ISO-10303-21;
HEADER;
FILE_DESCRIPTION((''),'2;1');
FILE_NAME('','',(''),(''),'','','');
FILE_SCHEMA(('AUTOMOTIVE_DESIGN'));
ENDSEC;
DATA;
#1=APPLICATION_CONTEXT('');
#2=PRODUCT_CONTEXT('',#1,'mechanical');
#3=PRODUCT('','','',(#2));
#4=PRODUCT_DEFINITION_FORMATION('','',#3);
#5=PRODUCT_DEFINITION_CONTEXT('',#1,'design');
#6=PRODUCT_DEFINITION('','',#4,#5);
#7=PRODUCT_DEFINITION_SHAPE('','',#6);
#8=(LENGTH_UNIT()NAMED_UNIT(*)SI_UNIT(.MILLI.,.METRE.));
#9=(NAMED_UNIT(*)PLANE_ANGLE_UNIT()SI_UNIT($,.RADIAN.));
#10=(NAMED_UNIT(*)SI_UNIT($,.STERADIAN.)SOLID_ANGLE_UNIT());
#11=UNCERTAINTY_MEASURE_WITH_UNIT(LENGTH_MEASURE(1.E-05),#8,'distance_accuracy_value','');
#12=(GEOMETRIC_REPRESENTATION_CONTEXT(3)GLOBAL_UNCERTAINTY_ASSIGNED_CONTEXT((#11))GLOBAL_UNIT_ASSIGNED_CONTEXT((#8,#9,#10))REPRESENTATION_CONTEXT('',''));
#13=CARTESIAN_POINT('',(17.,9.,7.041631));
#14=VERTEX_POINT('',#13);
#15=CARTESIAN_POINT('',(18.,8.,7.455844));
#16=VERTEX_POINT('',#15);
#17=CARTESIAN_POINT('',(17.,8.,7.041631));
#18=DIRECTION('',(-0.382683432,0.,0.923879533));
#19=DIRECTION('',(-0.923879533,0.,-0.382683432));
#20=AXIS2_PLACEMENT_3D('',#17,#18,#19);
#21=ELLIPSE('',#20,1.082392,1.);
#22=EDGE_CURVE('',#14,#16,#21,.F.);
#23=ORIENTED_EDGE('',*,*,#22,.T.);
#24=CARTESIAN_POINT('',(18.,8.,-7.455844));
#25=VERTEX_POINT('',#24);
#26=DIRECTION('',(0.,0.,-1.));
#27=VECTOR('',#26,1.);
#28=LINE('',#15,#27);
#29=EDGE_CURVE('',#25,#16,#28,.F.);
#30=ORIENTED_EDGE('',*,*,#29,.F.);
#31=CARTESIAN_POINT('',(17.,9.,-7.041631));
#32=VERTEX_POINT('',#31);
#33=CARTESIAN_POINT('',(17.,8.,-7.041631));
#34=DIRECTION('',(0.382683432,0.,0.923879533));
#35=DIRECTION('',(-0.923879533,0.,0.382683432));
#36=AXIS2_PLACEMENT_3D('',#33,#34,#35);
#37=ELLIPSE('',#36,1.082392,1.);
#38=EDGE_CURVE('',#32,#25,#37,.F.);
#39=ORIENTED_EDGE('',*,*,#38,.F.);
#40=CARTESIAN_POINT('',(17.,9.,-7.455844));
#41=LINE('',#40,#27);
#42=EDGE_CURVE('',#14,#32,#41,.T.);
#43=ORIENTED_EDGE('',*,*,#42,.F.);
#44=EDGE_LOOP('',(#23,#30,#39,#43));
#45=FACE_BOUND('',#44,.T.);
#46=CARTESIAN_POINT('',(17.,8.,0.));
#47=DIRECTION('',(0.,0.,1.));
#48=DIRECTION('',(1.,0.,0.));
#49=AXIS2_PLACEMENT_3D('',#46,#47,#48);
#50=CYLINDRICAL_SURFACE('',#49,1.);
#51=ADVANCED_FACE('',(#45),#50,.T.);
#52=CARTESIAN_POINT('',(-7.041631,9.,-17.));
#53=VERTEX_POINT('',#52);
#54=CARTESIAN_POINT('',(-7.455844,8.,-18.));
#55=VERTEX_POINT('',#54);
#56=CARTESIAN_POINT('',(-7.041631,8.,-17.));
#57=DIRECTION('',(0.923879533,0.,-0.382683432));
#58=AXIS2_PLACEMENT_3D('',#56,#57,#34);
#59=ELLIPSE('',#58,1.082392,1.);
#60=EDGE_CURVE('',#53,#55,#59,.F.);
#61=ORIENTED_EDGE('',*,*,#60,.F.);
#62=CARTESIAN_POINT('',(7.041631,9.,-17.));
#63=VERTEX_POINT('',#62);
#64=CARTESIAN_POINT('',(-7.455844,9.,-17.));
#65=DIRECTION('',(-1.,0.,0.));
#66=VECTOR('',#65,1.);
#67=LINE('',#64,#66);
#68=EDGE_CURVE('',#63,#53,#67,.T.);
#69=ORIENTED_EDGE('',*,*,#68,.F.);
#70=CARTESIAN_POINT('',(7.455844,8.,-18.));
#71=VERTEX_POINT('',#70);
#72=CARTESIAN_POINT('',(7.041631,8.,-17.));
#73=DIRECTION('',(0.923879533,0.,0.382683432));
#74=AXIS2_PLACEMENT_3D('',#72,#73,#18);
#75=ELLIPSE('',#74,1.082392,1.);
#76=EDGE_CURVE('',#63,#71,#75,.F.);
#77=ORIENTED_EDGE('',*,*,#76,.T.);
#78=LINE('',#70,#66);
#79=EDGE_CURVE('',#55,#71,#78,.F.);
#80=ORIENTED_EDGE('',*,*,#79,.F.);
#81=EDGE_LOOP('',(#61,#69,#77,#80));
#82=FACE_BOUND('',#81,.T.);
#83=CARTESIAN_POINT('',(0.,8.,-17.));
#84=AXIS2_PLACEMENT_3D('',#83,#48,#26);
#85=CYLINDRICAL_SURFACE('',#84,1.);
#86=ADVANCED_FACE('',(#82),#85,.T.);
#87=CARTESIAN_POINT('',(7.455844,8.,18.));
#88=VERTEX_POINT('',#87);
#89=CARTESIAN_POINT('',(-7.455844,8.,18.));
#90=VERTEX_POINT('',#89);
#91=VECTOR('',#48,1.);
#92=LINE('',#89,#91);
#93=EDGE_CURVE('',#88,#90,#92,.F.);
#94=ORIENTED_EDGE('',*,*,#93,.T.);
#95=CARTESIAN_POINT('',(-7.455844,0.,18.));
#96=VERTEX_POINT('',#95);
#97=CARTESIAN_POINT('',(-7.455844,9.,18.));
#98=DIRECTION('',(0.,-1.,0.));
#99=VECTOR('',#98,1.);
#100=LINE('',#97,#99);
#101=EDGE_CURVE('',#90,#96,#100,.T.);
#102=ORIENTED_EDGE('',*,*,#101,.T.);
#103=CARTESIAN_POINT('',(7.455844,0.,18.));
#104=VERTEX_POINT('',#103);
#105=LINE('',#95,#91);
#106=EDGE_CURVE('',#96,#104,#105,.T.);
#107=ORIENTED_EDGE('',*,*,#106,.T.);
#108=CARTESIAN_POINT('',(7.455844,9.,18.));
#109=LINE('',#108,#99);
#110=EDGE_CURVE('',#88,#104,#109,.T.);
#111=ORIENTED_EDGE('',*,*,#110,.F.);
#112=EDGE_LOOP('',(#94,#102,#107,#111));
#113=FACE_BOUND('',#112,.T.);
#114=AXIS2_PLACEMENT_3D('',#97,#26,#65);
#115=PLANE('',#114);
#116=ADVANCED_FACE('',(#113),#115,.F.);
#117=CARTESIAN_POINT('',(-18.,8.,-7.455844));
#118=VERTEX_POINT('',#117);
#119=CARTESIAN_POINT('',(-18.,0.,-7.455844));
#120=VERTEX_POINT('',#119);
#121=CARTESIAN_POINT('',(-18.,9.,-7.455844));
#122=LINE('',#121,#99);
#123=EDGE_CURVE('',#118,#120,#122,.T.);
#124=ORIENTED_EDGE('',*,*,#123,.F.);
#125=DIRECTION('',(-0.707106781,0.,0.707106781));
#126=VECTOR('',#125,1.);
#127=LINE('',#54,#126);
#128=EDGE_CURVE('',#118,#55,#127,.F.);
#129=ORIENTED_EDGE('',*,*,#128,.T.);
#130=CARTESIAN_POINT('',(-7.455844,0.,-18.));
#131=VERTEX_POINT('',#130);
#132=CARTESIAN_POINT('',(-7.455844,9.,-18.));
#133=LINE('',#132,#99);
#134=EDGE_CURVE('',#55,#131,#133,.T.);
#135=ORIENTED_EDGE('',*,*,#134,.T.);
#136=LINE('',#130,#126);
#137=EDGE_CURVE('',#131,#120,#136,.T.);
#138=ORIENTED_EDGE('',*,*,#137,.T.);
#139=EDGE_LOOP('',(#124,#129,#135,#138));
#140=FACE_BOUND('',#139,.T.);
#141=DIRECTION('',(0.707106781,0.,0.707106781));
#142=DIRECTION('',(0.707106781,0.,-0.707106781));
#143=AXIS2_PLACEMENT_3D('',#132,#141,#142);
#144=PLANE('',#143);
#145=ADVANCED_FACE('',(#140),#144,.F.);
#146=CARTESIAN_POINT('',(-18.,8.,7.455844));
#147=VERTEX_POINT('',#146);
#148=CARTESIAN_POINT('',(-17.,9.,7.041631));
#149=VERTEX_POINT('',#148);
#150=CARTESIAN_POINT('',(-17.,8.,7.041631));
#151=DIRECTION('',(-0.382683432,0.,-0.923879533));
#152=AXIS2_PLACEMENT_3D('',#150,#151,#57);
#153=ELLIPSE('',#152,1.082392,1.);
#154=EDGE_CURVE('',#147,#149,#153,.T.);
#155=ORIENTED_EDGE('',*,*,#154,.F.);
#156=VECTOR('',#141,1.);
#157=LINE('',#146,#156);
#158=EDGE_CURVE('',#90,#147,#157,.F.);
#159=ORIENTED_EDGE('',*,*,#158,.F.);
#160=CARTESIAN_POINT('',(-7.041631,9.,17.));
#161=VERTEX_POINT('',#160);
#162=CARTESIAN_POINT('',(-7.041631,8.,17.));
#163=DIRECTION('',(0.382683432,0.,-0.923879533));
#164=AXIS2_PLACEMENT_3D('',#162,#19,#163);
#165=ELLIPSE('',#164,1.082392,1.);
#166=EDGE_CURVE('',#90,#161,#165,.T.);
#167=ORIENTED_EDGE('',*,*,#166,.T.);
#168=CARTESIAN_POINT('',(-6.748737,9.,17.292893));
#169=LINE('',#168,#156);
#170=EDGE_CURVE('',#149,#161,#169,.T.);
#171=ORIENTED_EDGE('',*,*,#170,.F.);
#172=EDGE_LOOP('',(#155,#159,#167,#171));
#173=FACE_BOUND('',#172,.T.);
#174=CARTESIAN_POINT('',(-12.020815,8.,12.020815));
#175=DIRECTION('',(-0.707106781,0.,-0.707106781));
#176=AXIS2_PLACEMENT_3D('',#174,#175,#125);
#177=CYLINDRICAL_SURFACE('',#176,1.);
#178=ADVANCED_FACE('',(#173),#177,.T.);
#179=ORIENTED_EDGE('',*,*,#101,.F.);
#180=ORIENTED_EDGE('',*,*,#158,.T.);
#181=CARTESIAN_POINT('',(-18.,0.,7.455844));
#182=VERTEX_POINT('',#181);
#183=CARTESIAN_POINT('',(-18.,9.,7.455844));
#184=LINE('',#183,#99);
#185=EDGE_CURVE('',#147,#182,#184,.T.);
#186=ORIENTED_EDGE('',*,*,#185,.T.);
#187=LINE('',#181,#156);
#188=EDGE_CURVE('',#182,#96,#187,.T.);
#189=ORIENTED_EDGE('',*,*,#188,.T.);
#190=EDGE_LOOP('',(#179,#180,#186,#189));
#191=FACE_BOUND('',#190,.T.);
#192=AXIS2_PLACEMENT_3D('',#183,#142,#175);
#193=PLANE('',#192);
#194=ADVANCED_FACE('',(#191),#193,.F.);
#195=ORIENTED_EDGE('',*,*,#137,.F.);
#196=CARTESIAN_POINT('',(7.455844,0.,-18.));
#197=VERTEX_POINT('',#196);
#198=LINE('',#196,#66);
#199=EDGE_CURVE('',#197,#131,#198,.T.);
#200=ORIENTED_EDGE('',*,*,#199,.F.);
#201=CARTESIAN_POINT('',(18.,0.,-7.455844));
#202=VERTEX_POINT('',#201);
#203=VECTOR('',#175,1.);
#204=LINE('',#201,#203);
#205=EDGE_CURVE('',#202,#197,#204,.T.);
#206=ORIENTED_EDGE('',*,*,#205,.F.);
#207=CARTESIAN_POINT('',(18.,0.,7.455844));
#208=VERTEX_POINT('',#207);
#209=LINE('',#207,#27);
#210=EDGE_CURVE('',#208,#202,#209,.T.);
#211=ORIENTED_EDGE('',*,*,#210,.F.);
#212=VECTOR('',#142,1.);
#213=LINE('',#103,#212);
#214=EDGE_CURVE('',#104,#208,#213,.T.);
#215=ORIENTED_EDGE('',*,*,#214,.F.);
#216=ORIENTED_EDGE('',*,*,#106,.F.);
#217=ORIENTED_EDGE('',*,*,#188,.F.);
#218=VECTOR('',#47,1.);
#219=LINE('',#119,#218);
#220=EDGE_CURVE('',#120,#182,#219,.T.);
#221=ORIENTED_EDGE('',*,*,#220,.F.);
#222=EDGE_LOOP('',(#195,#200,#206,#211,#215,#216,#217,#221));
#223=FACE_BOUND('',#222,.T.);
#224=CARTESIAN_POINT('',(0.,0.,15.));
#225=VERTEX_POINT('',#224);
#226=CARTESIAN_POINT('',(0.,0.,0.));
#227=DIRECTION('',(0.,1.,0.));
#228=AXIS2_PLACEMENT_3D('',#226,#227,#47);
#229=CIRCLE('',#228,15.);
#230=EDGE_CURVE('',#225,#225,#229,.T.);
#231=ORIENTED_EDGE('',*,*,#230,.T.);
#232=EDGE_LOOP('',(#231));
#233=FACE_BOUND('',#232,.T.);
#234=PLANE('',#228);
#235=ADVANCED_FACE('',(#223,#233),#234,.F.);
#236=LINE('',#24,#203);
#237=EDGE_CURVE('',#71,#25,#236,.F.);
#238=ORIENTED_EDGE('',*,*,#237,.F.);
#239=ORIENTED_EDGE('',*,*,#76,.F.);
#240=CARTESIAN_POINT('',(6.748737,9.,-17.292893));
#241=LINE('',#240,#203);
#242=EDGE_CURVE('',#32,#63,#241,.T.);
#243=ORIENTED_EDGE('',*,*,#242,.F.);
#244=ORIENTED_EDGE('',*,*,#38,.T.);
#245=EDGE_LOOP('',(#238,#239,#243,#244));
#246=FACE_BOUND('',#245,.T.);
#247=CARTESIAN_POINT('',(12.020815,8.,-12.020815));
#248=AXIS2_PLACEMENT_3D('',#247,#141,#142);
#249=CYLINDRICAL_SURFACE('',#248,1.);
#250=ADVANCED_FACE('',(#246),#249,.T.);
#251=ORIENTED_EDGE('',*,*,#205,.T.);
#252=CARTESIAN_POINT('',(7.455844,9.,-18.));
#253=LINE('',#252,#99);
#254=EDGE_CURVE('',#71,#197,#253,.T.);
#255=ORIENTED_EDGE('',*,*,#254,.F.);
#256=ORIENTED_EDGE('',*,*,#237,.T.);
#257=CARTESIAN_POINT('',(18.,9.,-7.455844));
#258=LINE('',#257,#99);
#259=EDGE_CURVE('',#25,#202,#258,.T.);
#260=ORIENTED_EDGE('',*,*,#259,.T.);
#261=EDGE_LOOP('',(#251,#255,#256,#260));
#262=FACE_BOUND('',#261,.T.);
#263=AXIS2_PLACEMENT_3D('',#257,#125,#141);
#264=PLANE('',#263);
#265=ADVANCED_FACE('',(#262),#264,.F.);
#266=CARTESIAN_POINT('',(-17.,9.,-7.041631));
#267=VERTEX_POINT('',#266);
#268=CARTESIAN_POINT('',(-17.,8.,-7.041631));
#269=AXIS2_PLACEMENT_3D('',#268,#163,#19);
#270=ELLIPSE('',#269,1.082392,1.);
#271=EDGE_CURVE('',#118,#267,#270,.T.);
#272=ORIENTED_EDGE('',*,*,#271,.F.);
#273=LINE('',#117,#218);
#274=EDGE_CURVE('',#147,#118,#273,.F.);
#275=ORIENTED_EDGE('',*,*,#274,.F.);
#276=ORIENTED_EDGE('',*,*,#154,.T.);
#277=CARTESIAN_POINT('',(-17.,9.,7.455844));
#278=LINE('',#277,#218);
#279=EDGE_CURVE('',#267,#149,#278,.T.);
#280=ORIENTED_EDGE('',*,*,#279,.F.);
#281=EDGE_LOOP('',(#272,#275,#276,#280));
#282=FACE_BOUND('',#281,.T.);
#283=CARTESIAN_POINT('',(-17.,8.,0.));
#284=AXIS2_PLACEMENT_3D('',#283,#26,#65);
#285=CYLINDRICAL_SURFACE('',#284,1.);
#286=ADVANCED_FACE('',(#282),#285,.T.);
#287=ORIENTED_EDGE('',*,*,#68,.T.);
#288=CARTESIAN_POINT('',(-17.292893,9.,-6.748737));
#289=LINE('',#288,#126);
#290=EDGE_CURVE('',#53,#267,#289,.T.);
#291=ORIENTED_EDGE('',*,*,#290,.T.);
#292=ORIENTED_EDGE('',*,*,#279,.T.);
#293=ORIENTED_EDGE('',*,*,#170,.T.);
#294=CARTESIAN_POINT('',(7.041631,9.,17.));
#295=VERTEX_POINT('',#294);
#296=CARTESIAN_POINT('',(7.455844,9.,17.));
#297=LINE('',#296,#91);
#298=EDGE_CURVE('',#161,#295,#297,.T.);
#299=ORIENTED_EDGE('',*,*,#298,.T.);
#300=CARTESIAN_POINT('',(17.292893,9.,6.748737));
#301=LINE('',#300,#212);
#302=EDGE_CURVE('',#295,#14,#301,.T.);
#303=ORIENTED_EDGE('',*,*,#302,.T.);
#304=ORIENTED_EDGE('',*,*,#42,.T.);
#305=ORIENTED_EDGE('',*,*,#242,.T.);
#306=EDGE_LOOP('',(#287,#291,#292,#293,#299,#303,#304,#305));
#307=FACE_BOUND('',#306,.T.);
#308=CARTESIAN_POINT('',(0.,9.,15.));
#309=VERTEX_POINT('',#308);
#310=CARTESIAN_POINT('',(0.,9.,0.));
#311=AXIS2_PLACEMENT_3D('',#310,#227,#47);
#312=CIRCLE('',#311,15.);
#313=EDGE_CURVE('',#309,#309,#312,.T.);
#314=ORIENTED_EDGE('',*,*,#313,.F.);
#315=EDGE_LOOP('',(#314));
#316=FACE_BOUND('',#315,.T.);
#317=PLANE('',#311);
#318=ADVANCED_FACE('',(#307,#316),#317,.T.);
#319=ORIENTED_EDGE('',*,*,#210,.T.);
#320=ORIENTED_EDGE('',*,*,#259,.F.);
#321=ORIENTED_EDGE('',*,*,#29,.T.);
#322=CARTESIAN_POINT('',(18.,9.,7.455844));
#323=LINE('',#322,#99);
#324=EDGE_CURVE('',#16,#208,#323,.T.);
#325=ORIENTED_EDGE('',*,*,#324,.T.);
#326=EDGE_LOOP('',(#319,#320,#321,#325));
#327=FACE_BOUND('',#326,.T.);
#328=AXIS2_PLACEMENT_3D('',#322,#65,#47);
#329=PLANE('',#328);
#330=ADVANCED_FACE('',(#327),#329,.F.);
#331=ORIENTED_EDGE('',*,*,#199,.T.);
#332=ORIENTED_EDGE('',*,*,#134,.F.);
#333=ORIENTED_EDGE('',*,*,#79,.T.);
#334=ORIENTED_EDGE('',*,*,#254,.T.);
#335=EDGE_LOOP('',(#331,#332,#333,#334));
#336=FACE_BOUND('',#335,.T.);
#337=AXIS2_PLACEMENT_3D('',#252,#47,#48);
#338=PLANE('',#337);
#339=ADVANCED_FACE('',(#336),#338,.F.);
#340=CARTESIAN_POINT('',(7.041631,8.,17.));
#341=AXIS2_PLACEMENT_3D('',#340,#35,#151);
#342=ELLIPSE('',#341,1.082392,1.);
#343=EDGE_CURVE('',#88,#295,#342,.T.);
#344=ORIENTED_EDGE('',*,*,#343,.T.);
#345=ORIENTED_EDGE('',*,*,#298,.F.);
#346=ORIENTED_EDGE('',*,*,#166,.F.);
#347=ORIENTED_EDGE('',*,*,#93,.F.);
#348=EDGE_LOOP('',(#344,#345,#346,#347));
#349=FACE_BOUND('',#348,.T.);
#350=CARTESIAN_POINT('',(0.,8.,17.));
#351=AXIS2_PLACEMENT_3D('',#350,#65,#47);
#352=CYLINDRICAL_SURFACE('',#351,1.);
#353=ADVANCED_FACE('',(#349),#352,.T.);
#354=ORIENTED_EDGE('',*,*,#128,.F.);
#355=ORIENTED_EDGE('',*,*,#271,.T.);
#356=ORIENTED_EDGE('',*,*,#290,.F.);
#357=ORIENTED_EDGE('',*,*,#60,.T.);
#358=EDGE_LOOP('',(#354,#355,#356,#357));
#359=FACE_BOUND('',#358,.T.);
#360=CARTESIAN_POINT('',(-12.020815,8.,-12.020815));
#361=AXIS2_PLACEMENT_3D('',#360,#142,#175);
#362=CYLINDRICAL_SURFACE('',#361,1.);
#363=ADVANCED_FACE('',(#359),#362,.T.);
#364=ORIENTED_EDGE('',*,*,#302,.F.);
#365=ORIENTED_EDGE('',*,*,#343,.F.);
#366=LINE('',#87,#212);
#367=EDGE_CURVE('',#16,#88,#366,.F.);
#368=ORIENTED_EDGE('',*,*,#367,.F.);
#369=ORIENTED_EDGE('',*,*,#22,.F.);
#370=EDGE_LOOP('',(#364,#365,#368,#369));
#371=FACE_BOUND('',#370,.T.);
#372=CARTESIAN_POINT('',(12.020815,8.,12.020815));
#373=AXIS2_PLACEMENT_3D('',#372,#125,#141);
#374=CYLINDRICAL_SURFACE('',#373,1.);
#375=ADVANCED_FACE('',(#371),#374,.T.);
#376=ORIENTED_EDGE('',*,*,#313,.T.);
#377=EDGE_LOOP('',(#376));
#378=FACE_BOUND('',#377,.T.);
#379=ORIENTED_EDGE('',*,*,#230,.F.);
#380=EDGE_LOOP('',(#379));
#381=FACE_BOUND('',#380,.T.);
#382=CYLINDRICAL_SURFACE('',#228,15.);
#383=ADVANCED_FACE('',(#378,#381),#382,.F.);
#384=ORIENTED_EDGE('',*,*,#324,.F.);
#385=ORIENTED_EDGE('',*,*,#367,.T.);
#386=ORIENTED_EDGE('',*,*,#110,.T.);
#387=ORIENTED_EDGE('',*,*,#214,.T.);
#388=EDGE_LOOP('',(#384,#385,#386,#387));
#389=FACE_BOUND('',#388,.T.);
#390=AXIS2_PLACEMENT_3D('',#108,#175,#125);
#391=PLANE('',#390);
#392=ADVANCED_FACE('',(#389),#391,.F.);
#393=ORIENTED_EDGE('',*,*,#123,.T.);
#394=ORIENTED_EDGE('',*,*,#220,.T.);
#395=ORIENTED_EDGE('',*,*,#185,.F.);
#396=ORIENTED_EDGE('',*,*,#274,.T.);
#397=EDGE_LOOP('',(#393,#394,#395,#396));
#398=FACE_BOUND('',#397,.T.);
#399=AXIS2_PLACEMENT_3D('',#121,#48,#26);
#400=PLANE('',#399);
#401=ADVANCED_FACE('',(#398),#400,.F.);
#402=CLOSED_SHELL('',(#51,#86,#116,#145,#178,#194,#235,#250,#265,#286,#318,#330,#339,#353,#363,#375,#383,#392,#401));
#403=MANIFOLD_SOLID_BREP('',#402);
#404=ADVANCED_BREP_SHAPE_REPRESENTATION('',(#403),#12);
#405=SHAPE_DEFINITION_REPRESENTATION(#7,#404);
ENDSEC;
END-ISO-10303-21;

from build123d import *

# Parameters (mm, degrees)
SALIENTE_EXTRUIR1_DEPTH = 9
CROQUIS2_R              = 15
CORTAR_EXTRUIR1_DEPTH   = 10
REDONDEO1_R             = 1


with BuildPart() as part:
    # Croquis1 → Saliente-Extruir1 (new body)
    with BuildSketch(Plane(origin=(0, 0, 0), x_dir=(1, 0, 0), z_dir=(0, 1, 0))):
        Polygon((18, 7.455844123), (7.455844123, 18), (-7.455844123, 18), (-18, 7.455844123), (-18, -7.455844123), (-7.455844123, -18), (7.455844123, -18), (18, -7.455844123), align=None)
    extrude(amount=SALIENTE_EXTRUIR1_DEPTH)

    # Croquis2 → Cortar-Extruir1 (cut, through all)
    with BuildSketch(Plane(origin=(0, 9, 0), x_dir=(1, 0, 0), z_dir=(0, 1, 0))):
        Circle(CROQUIS2_R)
    extrude(amount=-CORTAR_EXTRUIR1_DEPTH, mode=Mode.SUBTRACT)

    # Redondeo1
    redondeo1_edges = [part.edges().sort_by_distance(p)[0] for p in [
        (0, 9, -18),
        (-12.727922061, 9, -12.727922061),
        (-18, 9, 0),
        (-12.727922061, 9, 12.727922061),
        (0, 9, 18),
        (12.727922061, 9, 12.727922061),
        (18, 9, 0),
        (12.727922061, 9, -12.727922061),
    ]]
    fillet(redondeo1_edges, radius=REDONDEO1_R)


solid = part.part
